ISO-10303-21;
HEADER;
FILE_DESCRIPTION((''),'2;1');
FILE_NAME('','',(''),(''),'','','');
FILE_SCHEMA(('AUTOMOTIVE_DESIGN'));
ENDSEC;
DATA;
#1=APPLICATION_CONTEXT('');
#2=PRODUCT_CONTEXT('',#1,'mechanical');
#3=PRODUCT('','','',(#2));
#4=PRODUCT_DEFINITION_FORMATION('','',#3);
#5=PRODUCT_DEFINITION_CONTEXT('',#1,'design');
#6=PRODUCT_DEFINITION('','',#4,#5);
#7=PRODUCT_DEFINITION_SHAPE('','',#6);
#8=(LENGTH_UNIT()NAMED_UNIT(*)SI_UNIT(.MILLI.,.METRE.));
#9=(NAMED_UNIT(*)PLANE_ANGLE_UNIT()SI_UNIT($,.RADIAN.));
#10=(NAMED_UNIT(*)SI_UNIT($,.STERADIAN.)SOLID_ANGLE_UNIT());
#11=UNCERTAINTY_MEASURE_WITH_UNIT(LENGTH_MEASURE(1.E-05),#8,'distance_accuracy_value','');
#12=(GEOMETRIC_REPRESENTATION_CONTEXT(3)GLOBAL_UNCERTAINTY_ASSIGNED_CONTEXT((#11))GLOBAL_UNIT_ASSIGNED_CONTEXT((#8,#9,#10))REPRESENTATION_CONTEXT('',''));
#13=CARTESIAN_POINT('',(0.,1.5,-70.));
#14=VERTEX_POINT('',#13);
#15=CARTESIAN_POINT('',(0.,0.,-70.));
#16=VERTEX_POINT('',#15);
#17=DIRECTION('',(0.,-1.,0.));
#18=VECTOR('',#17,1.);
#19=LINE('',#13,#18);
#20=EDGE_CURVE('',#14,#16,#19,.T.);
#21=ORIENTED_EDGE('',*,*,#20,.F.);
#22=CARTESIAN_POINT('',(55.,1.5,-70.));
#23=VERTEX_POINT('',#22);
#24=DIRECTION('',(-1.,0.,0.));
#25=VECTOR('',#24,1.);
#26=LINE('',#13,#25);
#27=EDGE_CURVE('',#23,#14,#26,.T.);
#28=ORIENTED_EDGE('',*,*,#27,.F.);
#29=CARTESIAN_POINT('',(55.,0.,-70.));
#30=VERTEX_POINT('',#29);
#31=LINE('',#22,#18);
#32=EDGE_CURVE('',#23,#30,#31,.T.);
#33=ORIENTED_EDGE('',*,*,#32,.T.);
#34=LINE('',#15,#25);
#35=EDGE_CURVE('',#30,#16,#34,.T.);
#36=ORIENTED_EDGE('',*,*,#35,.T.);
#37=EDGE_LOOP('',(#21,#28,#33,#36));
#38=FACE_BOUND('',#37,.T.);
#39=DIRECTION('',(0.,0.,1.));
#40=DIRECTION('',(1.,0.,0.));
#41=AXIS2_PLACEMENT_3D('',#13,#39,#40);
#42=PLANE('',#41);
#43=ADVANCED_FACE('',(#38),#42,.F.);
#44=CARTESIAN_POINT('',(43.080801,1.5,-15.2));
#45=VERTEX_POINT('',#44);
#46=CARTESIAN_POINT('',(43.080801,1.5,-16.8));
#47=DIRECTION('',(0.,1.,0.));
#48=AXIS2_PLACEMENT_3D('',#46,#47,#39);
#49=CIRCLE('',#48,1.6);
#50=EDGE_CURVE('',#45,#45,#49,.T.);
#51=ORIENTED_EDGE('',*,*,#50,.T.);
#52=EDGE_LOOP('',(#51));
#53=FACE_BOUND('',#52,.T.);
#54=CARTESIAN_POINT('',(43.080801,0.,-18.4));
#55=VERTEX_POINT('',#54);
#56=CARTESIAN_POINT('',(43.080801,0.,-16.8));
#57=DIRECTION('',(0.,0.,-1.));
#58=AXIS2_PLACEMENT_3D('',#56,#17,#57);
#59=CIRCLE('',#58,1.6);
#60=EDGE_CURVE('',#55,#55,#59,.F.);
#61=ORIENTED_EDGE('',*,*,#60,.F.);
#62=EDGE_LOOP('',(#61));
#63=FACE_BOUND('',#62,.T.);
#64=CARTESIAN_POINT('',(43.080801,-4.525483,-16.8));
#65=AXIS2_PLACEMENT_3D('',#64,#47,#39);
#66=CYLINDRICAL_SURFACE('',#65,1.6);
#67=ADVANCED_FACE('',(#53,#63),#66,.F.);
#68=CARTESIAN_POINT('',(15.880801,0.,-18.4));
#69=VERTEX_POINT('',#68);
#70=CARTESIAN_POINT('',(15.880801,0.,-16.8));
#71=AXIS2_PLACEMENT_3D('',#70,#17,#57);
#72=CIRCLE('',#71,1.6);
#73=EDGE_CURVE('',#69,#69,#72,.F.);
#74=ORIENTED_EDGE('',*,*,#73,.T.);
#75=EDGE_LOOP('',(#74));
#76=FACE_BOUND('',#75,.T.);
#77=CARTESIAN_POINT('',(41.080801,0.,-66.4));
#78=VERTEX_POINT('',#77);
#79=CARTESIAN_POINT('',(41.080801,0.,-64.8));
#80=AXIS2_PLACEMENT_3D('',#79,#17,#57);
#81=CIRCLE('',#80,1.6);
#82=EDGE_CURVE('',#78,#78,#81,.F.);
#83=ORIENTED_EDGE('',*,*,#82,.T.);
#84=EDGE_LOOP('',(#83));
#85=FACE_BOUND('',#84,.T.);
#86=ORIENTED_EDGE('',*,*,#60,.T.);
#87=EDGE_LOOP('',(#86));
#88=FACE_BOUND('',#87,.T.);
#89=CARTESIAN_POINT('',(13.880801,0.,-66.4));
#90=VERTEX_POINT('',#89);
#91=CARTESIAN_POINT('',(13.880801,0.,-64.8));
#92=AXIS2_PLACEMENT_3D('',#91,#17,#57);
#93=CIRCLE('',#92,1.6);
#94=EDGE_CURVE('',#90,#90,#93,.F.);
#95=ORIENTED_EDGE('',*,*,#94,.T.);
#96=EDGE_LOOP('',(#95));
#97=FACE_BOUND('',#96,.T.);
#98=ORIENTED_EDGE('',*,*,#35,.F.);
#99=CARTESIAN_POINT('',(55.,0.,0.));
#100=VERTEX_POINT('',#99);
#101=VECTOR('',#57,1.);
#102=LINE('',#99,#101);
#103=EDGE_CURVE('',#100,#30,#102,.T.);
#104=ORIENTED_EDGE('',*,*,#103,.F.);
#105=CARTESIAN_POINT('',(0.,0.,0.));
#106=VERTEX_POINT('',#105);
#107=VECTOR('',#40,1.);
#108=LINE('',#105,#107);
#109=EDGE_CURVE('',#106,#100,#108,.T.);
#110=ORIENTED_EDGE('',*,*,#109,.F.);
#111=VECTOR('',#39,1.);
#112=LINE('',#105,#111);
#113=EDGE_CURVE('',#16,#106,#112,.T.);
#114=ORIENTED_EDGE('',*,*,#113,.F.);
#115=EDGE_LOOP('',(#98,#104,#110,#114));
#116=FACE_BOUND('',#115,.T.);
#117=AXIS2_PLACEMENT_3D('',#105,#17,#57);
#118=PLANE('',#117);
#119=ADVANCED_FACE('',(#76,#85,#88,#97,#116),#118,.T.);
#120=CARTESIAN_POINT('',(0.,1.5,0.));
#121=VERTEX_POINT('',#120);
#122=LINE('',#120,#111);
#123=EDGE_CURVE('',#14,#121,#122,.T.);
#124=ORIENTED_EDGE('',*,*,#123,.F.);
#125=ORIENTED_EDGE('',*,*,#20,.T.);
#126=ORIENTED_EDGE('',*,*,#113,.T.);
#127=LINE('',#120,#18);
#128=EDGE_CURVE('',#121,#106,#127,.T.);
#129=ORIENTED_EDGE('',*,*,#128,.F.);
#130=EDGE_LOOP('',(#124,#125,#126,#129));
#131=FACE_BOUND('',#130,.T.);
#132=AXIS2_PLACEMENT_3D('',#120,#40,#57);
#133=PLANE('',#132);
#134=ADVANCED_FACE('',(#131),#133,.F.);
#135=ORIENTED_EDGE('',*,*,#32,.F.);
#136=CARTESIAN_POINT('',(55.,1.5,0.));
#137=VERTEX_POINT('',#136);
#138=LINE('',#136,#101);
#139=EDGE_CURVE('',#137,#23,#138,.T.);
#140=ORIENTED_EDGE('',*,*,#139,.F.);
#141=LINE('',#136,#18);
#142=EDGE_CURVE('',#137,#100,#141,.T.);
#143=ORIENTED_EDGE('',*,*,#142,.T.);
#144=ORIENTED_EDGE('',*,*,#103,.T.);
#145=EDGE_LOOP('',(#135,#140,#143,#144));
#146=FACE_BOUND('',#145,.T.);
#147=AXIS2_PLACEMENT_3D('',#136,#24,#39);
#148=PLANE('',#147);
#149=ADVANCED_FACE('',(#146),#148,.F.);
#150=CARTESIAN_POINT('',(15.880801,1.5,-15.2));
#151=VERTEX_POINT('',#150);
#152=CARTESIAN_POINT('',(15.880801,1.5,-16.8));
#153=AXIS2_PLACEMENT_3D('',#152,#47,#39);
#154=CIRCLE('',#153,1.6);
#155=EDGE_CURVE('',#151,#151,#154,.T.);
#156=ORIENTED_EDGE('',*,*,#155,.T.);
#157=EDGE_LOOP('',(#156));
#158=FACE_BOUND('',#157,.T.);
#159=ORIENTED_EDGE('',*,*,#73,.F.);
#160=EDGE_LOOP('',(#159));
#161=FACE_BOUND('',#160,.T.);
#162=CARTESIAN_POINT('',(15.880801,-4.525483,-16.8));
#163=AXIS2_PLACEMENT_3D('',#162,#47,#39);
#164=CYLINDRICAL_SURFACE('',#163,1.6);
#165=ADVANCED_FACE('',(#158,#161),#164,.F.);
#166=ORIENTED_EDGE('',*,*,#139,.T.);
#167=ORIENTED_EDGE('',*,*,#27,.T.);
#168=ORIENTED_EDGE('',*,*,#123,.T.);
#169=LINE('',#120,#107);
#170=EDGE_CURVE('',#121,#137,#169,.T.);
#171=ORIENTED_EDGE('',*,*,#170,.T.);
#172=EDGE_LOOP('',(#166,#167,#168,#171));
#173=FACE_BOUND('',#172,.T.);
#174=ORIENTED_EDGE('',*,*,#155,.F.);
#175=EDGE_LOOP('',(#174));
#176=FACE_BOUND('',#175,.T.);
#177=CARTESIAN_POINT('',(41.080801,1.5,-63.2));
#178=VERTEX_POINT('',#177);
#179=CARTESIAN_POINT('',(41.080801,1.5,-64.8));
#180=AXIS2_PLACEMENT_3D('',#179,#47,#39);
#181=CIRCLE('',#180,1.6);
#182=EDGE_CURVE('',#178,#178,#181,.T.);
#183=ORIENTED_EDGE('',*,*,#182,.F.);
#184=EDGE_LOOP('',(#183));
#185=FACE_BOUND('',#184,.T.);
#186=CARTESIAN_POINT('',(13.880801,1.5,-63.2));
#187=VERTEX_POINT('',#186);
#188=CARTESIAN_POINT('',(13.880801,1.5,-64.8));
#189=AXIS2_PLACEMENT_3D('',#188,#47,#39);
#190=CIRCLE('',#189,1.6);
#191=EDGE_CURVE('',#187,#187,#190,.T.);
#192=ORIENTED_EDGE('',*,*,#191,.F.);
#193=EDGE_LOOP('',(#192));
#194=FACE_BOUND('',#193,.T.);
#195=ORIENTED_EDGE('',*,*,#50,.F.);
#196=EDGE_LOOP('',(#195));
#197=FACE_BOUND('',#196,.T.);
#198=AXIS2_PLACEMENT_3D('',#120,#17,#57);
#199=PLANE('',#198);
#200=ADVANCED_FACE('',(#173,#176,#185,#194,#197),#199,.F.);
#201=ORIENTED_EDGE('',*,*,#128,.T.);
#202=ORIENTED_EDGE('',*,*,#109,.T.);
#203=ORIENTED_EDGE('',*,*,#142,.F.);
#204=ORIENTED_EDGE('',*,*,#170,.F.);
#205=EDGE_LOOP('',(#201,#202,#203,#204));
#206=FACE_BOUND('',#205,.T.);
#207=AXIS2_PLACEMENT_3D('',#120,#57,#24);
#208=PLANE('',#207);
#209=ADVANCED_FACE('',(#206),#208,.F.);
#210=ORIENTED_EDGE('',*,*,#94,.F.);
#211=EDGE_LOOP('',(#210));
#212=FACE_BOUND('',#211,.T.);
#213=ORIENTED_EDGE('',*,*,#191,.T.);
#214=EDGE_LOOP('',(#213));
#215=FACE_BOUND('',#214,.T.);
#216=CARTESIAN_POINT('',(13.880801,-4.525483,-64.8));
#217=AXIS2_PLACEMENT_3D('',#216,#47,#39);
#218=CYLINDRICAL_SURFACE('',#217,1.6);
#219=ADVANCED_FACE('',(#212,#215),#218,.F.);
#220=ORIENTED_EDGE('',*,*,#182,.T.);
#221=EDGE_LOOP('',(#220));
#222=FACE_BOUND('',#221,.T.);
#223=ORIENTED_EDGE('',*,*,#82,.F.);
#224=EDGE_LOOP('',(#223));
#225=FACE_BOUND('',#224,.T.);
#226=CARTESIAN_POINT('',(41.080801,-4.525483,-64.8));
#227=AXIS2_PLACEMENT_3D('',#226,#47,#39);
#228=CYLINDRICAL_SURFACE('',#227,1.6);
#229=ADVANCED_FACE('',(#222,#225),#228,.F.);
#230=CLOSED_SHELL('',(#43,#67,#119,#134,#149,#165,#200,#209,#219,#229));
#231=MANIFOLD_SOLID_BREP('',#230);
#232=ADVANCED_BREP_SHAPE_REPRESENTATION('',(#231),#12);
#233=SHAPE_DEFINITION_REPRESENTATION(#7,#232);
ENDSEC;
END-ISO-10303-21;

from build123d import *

# Parameters (mm, degrees)
SKIZZE1_W                       = 55
SKIZZE1_H                       = 70
AUFSATZ_LINEAR_AUSTRAGEN1_DEPTH = 1.5
SKIZZE2_R                       = 1.6
SCHNITT_LINEAR_AUSTRAGEN1_DEPTH = 1.5


with BuildPart() as part:
    # Skizze1 → Aufsatz-Linear austragen1 (new body)
    with BuildSketch(Plane(origin=(0, 0, 0), x_dir=(1, 0, 0), z_dir=(0, 1, 0))):
        with Locations((27.5, 35)):
            Rectangle(SKIZZE1_W, SKIZZE1_H)
    extrude(amount=AUFSATZ_LINEAR_AUSTRAGEN1_DEPTH)

    # Skizze2 → Schnitt-Linear austragen1 (cut)
    with BuildSketch(Plane(origin=(0, 1.5, 0), x_dir=(1, 0, 0), z_dir=(0, 1, 0))):
        with Locations((13.880800919, 64.8)):
            Circle(SKIZZE2_R)
        with Locations((41.080800919, 64.8)):
            Circle(SKIZZE2_R)
        with Locations((15.880800919, 16.8)):
            Circle(SKIZZE2_R)
        with Locations((43.080800919, 16.8)):
            Circle(SKIZZE2_R)
    extrude(amount=-SCHNITT_LINEAR_AUSTRAGEN1_DEPTH, mode=Mode.SUBTRACT)


solid = part.part
